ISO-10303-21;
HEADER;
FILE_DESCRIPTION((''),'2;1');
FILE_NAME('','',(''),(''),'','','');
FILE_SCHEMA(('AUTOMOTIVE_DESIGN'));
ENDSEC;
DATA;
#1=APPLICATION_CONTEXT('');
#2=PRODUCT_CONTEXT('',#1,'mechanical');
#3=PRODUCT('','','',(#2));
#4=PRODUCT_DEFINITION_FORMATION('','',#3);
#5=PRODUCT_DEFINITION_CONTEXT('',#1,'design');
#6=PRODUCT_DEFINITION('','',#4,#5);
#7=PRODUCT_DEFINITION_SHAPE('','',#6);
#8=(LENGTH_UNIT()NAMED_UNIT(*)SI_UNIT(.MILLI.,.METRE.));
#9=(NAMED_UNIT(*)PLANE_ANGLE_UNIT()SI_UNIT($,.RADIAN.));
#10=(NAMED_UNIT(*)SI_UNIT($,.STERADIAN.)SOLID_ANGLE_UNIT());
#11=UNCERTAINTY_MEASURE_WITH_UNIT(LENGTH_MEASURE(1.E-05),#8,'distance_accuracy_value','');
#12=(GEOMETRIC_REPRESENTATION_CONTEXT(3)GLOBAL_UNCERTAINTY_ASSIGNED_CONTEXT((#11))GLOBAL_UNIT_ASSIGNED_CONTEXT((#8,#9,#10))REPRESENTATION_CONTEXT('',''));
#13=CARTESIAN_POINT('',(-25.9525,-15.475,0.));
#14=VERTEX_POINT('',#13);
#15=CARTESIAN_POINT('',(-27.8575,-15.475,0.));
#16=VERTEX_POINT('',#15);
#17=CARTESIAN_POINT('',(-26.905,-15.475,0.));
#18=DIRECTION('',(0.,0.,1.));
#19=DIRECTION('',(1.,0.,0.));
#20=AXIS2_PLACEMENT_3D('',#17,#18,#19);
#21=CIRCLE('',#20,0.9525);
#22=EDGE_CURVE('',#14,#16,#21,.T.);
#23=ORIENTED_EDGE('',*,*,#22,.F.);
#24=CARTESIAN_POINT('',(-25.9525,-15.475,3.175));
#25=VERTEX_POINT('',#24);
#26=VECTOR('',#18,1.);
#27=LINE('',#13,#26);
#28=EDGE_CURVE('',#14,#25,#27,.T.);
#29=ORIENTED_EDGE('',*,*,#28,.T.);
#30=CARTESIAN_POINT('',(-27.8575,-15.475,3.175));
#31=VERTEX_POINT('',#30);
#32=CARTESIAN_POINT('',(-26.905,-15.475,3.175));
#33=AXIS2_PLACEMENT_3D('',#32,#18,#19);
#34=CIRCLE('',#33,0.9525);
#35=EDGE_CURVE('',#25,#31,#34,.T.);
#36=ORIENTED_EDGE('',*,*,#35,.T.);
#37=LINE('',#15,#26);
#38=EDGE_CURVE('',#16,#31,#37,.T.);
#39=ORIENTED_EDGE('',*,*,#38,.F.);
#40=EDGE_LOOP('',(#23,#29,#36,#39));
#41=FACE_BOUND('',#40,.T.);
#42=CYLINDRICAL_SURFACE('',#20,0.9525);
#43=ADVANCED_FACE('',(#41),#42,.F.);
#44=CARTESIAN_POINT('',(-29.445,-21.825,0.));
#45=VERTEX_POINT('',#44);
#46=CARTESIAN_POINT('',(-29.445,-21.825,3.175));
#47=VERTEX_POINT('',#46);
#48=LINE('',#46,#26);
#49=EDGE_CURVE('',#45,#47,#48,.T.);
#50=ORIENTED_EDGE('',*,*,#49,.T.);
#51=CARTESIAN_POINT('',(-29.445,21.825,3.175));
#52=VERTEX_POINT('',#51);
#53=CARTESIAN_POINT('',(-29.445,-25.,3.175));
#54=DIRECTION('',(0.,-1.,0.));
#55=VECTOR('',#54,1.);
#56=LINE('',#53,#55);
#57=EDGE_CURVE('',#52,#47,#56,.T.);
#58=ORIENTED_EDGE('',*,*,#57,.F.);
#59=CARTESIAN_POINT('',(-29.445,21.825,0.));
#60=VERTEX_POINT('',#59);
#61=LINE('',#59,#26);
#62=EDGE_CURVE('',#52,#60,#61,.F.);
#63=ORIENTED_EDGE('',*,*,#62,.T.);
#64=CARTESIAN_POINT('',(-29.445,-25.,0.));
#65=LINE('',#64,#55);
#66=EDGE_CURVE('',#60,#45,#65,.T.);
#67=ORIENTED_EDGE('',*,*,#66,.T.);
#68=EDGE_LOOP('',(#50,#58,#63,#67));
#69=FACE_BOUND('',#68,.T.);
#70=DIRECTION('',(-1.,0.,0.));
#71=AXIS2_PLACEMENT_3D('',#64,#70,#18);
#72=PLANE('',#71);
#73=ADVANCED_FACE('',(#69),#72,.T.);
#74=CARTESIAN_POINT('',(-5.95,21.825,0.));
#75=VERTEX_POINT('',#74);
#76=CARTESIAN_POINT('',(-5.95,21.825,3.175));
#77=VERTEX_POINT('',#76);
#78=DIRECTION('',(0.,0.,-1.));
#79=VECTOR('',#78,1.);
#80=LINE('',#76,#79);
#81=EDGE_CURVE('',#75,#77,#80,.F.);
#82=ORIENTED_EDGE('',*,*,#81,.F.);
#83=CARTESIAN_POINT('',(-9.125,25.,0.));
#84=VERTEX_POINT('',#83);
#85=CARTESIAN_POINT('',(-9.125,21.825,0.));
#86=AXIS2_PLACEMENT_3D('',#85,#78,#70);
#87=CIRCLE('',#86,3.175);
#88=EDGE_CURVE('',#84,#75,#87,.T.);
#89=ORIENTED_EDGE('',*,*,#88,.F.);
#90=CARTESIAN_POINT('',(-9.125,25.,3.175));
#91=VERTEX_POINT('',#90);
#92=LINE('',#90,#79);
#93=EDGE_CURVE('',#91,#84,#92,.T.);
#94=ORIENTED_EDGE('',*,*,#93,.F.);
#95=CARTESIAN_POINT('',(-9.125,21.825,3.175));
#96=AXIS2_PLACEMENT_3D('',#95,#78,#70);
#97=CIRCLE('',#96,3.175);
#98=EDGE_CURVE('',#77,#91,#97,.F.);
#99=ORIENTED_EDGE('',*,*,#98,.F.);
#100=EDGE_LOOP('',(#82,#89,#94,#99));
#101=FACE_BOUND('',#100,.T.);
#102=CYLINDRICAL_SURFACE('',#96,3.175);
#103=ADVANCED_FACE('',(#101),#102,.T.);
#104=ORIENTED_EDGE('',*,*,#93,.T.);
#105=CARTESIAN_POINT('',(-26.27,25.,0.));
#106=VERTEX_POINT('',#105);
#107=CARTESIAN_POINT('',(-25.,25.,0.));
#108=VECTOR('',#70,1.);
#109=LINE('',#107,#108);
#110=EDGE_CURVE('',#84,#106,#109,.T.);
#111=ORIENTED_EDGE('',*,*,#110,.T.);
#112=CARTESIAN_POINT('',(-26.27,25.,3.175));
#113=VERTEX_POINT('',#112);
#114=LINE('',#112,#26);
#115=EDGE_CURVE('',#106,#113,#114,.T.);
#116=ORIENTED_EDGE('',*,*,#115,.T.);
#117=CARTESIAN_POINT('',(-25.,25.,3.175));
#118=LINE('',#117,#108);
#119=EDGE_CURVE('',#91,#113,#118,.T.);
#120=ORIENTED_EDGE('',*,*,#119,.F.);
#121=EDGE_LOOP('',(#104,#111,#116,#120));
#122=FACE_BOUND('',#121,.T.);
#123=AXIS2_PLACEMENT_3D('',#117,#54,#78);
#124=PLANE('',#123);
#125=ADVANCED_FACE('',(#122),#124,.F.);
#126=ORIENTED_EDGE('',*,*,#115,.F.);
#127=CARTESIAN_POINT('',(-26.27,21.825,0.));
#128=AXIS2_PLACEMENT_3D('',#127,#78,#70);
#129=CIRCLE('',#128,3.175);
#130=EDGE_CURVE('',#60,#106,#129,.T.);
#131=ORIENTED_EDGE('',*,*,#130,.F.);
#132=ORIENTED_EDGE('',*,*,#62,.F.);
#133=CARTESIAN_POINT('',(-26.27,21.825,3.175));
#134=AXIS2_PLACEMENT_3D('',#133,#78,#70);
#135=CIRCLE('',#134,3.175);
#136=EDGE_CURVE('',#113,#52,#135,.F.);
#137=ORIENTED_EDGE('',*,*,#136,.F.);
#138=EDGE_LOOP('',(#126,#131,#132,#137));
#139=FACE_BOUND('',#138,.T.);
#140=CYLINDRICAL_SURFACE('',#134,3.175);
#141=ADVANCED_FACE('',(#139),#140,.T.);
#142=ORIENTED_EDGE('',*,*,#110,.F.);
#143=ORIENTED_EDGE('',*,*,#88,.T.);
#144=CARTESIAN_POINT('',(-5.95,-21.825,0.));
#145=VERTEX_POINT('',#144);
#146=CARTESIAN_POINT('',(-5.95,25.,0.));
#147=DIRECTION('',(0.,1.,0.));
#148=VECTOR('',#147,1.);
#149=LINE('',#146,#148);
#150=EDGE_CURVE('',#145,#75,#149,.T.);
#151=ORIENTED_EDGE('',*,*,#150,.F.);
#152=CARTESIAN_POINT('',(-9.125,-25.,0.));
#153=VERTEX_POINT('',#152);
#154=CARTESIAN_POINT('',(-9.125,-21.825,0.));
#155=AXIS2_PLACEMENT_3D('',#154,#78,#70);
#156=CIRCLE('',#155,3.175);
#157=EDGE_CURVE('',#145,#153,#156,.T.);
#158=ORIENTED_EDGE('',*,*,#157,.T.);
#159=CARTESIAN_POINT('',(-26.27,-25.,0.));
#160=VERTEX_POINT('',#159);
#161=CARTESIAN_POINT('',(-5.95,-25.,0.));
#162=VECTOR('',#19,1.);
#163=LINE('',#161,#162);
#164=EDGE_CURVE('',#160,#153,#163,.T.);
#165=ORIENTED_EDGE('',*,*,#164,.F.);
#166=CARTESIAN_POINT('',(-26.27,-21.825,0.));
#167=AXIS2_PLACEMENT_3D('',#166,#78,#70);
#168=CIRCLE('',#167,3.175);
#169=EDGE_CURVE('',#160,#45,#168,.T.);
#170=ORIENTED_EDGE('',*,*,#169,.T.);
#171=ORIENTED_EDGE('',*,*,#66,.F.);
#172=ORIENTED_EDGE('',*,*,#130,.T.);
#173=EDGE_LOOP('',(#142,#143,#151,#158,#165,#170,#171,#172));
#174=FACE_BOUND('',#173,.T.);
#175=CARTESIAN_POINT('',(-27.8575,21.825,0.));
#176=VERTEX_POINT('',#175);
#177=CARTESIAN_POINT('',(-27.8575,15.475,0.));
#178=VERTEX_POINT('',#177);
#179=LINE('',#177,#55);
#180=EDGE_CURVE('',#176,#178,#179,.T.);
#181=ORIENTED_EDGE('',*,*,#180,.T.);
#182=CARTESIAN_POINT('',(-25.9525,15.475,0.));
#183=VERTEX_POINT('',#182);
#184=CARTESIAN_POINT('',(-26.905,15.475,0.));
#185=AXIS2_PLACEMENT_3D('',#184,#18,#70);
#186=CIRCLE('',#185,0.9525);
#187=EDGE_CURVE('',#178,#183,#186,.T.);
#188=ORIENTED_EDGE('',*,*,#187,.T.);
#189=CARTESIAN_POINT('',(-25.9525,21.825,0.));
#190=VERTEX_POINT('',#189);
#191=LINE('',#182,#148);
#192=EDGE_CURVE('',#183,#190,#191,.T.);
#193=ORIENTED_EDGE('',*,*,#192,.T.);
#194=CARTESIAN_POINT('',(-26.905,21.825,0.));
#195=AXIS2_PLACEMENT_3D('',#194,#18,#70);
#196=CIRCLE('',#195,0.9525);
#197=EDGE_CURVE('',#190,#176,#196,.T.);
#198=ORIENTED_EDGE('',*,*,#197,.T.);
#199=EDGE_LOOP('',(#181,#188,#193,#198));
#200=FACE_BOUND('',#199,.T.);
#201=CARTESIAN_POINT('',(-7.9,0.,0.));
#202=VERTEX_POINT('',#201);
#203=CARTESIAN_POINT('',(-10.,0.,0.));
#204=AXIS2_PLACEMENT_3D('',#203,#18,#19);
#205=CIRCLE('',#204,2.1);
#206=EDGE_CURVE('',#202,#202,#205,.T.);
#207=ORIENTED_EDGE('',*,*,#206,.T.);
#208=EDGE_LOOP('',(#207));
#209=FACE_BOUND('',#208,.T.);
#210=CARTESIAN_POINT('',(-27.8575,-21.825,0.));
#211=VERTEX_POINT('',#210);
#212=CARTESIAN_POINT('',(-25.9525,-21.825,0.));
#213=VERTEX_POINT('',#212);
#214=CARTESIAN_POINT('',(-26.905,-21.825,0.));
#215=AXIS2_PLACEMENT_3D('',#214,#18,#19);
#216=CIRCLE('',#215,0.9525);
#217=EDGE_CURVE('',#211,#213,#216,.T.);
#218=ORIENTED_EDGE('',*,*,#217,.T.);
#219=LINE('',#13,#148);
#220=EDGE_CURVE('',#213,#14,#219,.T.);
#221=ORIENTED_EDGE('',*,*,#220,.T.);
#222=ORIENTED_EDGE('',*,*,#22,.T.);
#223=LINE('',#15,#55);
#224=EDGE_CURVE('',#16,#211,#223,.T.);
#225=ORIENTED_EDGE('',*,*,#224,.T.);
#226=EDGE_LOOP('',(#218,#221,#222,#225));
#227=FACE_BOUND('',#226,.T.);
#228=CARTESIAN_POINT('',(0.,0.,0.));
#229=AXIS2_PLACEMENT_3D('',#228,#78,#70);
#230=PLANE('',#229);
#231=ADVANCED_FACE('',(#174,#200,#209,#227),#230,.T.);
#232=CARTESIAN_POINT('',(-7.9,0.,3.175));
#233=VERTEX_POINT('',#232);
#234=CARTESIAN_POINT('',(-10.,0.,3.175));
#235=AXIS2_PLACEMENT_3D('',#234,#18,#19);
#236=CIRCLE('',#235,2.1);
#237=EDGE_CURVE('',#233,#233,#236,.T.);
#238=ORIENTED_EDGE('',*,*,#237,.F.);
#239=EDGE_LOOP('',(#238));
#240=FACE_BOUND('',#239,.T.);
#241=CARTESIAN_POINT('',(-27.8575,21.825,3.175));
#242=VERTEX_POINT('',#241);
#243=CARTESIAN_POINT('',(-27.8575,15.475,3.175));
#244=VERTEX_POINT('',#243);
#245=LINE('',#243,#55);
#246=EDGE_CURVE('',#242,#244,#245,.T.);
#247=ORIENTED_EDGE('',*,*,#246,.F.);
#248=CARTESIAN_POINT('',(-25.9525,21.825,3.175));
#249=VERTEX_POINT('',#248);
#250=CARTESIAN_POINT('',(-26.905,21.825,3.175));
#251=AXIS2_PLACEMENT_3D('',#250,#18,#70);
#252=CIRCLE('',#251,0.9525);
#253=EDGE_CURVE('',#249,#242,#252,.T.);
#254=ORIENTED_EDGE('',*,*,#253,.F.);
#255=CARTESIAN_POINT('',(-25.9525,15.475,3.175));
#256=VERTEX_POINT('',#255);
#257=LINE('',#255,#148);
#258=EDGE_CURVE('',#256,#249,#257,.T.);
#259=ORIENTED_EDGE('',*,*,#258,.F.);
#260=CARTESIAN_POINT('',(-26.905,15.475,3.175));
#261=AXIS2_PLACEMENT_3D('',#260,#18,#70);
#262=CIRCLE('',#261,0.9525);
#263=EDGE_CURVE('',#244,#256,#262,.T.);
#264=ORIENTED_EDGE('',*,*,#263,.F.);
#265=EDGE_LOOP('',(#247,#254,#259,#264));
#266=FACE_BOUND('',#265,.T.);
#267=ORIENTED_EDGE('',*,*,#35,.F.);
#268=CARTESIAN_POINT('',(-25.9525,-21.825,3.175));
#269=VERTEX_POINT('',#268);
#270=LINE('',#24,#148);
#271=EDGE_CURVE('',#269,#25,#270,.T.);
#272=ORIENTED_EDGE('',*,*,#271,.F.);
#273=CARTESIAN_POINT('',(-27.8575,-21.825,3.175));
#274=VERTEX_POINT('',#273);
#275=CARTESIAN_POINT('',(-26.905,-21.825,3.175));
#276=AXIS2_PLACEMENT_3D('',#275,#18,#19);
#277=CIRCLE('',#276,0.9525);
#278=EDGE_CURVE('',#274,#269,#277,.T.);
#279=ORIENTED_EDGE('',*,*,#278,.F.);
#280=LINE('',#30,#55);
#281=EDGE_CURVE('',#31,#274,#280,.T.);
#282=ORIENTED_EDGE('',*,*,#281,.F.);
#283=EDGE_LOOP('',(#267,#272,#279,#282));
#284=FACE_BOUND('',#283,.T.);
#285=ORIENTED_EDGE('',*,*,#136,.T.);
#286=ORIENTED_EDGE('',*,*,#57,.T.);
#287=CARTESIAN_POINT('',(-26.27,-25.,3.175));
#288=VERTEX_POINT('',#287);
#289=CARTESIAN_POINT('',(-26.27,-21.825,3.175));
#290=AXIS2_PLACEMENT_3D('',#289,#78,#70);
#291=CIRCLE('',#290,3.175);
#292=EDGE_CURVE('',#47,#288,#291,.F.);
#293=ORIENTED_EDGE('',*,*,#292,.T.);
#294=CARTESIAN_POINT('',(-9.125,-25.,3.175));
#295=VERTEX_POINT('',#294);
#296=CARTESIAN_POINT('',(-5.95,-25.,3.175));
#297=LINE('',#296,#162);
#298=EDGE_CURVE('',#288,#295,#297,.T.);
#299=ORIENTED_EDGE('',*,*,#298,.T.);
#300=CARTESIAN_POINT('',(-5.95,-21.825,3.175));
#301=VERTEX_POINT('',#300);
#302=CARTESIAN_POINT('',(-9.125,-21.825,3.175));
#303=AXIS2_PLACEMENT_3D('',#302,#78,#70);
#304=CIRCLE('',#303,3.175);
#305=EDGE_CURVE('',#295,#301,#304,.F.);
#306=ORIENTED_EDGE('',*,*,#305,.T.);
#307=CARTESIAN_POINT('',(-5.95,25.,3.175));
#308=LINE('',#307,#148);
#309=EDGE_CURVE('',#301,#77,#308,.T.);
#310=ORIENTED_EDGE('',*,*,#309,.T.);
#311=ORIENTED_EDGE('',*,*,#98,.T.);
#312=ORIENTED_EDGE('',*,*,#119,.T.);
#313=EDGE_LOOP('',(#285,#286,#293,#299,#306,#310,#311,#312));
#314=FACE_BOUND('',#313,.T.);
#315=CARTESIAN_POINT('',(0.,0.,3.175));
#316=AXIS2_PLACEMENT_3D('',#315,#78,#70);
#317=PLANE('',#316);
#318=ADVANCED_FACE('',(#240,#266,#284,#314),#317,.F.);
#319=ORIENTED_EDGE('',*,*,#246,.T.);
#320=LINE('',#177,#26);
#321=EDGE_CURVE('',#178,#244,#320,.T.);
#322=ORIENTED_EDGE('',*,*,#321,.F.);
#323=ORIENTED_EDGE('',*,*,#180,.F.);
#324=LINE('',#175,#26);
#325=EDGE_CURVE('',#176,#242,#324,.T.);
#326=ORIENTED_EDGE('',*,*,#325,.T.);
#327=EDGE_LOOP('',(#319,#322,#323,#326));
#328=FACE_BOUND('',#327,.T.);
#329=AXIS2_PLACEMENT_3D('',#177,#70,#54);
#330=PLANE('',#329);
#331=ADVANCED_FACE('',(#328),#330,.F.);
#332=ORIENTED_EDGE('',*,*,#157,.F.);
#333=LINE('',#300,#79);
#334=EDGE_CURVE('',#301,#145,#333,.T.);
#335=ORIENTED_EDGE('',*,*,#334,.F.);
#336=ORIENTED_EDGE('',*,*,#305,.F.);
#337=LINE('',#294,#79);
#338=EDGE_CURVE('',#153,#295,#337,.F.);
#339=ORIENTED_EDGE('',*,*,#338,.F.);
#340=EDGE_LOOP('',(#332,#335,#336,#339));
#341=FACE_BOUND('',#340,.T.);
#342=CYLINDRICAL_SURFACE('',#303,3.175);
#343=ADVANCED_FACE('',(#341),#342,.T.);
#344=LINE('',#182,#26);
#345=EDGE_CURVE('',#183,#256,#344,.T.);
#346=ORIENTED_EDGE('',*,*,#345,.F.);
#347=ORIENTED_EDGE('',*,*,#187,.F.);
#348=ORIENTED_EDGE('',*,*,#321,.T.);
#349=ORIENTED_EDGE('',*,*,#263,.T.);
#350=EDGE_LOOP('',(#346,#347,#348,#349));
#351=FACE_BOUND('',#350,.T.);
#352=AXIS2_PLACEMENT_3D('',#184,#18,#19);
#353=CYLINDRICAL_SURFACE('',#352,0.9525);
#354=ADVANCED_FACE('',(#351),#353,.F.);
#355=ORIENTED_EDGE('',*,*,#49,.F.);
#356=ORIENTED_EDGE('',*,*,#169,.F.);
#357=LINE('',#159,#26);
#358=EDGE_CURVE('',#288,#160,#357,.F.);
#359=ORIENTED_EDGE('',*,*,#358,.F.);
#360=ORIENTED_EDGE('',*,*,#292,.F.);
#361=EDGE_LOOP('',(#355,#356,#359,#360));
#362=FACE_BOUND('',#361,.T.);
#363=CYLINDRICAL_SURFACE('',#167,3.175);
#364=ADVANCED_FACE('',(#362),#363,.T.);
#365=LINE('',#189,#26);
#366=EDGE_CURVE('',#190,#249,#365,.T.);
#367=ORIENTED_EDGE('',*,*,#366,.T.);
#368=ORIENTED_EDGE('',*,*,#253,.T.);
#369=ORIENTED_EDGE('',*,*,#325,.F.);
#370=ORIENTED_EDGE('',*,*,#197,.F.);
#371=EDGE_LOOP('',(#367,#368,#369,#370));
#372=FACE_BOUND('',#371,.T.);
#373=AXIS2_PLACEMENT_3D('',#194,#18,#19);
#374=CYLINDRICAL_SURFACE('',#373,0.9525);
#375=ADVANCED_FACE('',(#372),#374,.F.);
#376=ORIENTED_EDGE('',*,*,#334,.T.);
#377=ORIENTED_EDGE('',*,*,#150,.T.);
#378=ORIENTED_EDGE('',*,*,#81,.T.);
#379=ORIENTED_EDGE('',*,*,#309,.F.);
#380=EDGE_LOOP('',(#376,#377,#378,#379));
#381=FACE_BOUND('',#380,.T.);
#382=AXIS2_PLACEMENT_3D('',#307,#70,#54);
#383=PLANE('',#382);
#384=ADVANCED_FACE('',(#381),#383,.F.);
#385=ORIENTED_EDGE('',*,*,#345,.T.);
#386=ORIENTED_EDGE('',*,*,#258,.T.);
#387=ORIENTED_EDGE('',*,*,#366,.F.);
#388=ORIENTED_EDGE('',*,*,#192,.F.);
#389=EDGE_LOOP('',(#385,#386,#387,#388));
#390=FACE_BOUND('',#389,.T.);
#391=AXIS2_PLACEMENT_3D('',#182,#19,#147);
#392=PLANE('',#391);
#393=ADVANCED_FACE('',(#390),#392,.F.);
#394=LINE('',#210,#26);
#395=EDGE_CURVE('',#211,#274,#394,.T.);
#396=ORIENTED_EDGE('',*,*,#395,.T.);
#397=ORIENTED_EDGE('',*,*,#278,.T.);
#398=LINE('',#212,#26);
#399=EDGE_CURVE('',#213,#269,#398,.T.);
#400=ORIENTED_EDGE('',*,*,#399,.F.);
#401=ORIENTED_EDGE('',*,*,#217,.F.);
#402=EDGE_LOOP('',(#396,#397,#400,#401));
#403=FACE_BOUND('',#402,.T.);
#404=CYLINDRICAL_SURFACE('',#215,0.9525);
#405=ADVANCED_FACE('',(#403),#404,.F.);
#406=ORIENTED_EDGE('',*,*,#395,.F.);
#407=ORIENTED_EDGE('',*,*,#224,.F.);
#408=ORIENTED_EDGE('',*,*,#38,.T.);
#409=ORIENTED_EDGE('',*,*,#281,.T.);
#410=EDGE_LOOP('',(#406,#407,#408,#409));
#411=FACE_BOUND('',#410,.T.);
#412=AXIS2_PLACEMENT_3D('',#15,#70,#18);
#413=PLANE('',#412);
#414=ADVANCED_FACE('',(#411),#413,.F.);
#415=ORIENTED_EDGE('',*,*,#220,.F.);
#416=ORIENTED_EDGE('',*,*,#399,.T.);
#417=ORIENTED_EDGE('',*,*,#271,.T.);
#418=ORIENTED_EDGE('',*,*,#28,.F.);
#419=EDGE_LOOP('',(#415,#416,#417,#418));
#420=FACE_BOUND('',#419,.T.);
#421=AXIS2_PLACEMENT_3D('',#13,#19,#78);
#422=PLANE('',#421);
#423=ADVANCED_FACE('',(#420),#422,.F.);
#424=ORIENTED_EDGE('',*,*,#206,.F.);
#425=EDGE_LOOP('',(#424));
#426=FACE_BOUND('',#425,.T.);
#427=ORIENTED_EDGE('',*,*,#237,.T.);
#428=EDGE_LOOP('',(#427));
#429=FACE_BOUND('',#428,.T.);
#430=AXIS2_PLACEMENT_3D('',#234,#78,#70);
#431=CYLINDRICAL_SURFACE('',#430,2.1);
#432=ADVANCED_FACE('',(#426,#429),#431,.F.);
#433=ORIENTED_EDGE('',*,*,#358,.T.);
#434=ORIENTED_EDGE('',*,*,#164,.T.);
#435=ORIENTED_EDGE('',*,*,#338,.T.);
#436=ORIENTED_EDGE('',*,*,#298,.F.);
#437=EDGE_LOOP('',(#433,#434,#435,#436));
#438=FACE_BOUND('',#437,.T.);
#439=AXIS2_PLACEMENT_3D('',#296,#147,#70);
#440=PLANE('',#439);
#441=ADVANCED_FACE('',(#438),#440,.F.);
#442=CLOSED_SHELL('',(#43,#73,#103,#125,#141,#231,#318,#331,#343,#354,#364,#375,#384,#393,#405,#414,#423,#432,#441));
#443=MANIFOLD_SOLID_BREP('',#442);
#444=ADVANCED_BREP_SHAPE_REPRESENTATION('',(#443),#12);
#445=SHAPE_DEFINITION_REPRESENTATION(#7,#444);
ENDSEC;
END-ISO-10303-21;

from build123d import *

# Parameters (mm, degrees)
SKETCH1_W           = 19.05
SKETCH1_H           = 50
SKETCH1_R           = 2.1
BOSS_EXTRUDE1_DEPTH = 3.175
SKETCH2_W           = 4.445
SKETCH2_H           = 50
BOSS_EXTRUDE2_DEPTH = 3.175
CUT_EXTRUDE1_DEPTH  = 3.175
FILLET1_R           = 3.175


with BuildPart() as part:
    # Sketch1 → Boss-Extrude1 (new body)
    with BuildSketch(Plane.XY):
        with Locations((-15.475, 0)):
            Rectangle(SKETCH1_W, SKETCH1_H)
        with Locations((-10, 0)):
            Circle(SKETCH1_R, mode=Mode.SUBTRACT)
    extrude(amount=BOSS_EXTRUDE1_DEPTH)

    # Sketch2 → Boss-Extrude2 (add)
    with BuildSketch(Plane.XY.offset(3.175)):
        with Locations((-27.2225, 0)):
            Rectangle(SKETCH2_W, SKETCH2_H)
    extrude(amount=-BOSS_EXTRUDE2_DEPTH)

    # Sketch3 → Cut-Extrude1 (cut)
    with BuildSketch(Plane.XY.offset(3.175)):
        with BuildLine():
            Line((-25.9525, -15.475), (-25.9525, -21.825))
            ThreePointArc((-25.9525, -21.825), (-26.905, -22.7775), (-27.8575, -21.825))
            Line((-27.8575, -21.825), (-27.8575, -15.475))
            ThreePointArc((-27.8575, -15.475), (-26.905, -14.5225), (-25.9525, -15.475))
        make_face()
        with BuildLine():
            Line((-25.9525, 15.475), (-25.9525, 21.825))
            ThreePointArc((-25.9525, 21.825), (-26.905, 22.7775), (-27.8575, 21.825))
            Line((-27.8575, 21.825), (-27.8575, 15.475))
            ThreePointArc((-27.8575, 15.475), (-26.905, 14.5225), (-25.9525, 15.475))
        make_face()
    extrude(amount=-CUT_EXTRUDE1_DEPTH, mode=Mode.SUBTRACT)

    # Fillet1
    fillet1_edges = [part.edges().sort_by_distance(p)[0] for p in [
        (-29.445, -25, 1.5875),
        (-29.445, 25, 1.5875),
        (-5.95, 25, 1.5875),
        (-5.95, -25, 1.5875),
    ]]
    fillet(fillet1_edges, radius=FILLET1_R)


solid = part.part
